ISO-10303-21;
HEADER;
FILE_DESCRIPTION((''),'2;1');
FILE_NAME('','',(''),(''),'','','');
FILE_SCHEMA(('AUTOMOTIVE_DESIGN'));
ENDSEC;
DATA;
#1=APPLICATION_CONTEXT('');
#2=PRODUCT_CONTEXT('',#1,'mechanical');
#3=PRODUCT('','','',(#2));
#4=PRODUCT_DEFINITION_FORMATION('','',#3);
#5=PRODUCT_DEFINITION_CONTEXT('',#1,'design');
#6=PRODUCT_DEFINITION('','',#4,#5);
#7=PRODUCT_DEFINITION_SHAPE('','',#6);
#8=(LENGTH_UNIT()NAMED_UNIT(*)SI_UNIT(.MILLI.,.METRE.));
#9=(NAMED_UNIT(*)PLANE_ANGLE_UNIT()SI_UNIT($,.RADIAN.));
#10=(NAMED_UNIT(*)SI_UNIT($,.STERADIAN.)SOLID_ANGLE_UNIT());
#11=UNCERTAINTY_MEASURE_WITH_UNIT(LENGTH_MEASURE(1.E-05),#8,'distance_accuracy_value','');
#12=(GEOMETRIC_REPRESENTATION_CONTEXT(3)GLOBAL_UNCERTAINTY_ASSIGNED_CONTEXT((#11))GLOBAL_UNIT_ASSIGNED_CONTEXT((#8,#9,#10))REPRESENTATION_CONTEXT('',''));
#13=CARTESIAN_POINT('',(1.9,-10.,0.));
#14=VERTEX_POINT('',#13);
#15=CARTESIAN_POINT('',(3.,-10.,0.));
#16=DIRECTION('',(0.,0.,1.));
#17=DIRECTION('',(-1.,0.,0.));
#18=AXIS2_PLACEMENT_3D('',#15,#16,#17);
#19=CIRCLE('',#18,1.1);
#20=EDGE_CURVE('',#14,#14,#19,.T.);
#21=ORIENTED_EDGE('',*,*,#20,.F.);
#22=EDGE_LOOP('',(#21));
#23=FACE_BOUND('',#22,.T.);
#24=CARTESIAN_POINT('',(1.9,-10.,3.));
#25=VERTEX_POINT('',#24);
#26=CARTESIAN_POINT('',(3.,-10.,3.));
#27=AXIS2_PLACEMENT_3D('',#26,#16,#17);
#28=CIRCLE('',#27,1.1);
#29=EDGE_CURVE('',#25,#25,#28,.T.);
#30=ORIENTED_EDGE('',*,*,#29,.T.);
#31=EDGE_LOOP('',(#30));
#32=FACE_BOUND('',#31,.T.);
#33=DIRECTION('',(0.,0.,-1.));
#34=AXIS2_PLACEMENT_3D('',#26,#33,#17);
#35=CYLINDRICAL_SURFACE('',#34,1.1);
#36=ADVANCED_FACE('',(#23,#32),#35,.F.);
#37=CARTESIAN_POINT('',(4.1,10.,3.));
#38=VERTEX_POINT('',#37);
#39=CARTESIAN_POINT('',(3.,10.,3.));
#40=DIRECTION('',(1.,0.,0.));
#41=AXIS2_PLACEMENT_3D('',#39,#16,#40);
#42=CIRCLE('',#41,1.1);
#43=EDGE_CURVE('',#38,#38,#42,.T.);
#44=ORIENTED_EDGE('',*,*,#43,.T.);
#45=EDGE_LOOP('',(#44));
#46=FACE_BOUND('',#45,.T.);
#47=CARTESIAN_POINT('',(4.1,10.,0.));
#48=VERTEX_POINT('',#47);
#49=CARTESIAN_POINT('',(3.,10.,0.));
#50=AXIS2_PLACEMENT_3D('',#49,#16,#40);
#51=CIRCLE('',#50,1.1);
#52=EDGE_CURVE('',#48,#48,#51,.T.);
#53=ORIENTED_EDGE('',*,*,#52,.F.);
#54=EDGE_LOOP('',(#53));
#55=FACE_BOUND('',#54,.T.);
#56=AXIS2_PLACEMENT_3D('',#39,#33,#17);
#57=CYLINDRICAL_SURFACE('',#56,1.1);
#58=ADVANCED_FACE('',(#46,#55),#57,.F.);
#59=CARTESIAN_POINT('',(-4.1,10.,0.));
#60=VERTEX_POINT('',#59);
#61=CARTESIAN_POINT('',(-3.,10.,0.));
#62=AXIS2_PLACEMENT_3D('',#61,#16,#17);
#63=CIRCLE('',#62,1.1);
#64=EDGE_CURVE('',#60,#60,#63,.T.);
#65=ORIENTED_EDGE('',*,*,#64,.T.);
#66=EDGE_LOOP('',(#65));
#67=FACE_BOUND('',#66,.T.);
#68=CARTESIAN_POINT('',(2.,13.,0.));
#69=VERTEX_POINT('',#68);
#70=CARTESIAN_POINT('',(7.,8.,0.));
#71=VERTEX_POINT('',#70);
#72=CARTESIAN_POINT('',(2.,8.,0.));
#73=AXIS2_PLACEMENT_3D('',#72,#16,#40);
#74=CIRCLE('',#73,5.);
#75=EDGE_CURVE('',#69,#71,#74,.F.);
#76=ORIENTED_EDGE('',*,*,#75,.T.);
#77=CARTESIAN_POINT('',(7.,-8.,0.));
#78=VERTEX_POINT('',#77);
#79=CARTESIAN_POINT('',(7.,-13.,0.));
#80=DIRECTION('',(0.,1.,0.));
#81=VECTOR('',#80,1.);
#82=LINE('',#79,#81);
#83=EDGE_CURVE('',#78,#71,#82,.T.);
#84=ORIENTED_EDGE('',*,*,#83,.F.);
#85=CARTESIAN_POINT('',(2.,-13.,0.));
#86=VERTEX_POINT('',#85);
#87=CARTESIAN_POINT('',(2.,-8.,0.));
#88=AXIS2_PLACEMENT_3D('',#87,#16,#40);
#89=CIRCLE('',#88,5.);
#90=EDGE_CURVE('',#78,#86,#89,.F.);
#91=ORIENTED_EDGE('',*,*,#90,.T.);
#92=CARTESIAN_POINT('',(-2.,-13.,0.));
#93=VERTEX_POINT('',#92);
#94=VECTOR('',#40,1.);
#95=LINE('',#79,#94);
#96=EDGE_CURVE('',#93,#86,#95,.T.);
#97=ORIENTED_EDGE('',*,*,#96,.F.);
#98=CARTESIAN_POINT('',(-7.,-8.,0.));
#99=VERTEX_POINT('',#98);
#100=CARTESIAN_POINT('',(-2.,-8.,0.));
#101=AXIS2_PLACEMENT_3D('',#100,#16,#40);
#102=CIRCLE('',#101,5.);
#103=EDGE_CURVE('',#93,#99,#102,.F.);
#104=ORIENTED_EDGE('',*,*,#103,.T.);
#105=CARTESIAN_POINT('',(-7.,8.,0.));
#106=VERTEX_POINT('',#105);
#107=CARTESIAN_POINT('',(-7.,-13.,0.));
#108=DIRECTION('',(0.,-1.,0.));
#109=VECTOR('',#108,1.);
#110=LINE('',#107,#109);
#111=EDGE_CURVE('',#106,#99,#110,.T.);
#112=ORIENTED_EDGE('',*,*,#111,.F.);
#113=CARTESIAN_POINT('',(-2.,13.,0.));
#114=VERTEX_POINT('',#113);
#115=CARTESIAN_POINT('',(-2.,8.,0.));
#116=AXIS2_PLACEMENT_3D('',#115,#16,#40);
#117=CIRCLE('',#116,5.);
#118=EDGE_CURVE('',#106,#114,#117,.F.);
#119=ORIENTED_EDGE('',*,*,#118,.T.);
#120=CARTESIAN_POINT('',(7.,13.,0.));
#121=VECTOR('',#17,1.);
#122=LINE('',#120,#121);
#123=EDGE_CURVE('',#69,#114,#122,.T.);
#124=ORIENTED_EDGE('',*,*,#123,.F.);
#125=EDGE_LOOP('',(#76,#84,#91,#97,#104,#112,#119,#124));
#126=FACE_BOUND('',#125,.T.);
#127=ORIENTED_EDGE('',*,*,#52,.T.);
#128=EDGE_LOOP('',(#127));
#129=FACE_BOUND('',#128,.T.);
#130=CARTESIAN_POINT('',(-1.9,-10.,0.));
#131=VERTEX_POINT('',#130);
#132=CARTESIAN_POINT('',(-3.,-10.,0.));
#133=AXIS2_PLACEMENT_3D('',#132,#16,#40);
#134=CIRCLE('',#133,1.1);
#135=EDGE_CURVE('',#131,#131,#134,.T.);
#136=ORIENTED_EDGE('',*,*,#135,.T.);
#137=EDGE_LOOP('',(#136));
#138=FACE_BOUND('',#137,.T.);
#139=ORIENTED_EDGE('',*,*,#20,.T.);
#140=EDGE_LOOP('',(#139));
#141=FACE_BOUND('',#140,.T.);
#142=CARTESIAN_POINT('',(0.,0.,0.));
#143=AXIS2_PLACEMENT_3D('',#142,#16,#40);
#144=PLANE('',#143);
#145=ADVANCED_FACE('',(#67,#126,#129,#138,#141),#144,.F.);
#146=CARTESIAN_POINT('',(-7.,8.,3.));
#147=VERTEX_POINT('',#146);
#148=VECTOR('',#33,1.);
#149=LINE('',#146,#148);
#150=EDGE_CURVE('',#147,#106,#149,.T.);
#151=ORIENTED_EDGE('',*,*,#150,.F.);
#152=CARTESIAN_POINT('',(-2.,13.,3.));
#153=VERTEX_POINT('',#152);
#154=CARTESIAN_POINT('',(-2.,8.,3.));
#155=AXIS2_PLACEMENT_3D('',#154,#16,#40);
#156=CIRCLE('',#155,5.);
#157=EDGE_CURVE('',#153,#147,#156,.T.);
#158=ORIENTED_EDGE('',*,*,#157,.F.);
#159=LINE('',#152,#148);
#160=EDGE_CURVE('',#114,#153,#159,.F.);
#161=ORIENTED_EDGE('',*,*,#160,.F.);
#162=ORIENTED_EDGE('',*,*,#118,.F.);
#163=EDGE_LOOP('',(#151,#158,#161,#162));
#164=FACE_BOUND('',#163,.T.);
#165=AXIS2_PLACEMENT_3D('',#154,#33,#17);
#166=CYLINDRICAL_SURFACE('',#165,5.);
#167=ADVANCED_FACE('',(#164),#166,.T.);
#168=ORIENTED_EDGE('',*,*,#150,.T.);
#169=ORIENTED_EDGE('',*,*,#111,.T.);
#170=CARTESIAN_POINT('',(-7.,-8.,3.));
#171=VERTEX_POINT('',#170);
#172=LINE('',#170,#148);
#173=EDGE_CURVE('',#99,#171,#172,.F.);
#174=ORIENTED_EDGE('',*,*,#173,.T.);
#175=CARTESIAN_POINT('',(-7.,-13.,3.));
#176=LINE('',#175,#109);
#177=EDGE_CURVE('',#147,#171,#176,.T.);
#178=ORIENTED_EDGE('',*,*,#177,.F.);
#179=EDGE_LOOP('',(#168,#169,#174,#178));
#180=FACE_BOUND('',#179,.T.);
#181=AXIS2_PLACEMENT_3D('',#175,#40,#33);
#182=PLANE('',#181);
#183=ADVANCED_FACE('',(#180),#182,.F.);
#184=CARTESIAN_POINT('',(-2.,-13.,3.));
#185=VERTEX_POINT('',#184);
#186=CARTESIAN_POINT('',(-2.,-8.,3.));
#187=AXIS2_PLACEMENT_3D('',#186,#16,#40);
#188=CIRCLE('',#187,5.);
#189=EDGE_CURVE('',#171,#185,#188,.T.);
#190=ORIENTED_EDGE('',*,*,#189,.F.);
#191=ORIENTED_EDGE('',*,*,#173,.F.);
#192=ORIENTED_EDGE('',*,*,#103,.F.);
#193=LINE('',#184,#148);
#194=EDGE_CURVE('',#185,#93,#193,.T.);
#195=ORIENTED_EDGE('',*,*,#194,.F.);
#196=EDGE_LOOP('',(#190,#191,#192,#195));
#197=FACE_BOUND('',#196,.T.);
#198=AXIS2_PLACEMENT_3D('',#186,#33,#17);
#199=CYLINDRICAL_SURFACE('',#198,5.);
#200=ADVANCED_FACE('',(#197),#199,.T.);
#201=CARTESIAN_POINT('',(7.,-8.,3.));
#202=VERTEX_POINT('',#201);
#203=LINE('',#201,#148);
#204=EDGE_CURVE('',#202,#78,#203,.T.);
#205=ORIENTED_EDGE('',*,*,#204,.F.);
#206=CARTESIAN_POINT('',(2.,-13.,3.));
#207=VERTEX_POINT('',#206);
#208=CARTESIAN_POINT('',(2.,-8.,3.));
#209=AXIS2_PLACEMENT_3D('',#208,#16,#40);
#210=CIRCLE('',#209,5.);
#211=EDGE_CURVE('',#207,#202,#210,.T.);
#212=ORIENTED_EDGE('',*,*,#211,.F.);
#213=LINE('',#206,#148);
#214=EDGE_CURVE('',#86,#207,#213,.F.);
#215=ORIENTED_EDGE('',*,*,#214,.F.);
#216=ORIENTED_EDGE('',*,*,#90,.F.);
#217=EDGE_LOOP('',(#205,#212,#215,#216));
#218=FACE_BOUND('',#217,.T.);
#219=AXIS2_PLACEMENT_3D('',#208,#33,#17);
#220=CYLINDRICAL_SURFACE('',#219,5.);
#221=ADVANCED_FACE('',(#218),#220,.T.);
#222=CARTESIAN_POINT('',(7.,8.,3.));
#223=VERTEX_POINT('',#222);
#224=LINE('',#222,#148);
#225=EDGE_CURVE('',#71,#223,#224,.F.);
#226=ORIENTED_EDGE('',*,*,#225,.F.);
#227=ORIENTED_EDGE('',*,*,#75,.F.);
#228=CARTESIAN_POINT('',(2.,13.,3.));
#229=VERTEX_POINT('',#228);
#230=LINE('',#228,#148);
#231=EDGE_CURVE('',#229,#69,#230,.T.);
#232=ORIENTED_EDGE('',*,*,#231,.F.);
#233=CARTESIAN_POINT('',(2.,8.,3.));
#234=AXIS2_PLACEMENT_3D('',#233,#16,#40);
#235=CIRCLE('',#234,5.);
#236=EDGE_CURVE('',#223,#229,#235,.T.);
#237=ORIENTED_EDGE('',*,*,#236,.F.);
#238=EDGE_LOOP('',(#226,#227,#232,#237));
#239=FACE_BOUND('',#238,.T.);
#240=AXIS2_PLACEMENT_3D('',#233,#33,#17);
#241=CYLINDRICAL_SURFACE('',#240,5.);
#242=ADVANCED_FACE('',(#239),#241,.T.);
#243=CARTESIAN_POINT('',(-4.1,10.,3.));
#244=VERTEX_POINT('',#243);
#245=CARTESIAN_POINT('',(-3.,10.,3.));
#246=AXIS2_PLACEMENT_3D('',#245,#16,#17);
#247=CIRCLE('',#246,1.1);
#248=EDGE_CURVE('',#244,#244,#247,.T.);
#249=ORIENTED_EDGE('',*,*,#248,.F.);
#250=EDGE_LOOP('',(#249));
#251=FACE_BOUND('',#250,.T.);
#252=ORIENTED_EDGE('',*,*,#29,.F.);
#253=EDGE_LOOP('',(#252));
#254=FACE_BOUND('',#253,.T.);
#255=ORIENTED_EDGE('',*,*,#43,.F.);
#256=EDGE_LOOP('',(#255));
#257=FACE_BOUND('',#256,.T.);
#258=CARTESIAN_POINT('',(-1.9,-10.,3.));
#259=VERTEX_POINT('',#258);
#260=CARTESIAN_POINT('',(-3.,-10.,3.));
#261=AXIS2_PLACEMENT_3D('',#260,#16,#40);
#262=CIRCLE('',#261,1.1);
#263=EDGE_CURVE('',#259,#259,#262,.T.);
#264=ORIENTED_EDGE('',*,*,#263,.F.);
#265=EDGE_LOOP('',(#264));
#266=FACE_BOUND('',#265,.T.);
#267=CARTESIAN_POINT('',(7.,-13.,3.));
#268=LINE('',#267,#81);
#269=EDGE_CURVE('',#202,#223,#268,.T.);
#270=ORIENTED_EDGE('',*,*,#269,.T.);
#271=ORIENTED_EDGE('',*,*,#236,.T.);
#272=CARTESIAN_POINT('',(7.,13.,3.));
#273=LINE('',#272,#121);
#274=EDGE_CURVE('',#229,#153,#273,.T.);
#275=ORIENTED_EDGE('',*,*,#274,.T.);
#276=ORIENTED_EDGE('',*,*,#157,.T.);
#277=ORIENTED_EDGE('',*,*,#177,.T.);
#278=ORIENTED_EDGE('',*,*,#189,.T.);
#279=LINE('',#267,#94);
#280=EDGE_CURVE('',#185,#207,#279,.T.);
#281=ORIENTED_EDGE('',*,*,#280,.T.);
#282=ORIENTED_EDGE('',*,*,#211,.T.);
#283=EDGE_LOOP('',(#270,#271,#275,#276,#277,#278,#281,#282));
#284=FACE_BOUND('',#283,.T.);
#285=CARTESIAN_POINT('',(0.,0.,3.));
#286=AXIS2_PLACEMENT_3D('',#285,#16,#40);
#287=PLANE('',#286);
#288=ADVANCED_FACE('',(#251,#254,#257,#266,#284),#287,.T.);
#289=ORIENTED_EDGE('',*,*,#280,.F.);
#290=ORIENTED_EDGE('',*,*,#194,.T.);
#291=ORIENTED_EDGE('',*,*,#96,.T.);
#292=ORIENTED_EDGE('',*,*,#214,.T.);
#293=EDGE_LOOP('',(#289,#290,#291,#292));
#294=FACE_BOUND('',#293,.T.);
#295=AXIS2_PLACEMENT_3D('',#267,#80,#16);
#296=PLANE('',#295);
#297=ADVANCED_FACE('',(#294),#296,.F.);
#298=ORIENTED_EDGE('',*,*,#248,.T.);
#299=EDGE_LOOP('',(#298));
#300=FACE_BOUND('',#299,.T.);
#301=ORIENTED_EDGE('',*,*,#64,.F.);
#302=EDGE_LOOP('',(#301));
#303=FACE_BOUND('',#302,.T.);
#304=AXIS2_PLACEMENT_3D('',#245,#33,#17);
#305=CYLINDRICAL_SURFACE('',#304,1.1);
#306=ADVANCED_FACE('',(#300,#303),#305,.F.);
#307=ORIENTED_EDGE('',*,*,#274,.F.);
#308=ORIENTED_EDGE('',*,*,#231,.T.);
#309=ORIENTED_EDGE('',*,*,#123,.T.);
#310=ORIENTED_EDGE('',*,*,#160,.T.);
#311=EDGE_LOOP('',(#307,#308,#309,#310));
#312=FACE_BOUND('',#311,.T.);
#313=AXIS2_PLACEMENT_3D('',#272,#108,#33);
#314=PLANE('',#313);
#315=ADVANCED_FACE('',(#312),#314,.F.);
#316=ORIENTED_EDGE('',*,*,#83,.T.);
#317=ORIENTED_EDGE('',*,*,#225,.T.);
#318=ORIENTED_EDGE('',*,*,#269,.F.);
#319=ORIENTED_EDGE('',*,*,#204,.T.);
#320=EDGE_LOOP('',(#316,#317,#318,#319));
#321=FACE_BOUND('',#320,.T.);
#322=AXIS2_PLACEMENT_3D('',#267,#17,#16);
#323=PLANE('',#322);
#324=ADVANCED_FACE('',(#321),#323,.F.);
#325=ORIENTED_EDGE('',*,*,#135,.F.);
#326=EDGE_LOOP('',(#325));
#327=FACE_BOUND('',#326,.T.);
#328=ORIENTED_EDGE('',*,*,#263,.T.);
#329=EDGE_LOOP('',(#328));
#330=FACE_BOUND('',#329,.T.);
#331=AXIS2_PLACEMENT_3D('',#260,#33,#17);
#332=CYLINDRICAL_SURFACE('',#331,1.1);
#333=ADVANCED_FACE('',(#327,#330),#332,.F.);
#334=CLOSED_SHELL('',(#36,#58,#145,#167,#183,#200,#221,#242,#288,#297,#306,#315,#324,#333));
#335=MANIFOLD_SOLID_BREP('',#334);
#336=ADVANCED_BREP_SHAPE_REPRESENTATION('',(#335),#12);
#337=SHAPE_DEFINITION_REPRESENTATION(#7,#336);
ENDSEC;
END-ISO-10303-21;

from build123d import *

# Parameters (mm, degrees)
SKETCH1_W           = 14
SKETCH1_H           = 26
SKETCH1_R           = 1.1
BOSS_EXTRUDE1_DEPTH = 3
FILLET1_R           = 5


with BuildPart() as part:
    # Sketch1 → Boss-Extrude1 (new body)
    with BuildSketch(Plane.XY):
        Rectangle(SKETCH1_W, SKETCH1_H)
        with Locations((3, 10)):
            Circle(SKETCH1_R, mode=Mode.SUBTRACT)
        with Locations((-3, 10)):
            Circle(SKETCH1_R, mode=Mode.SUBTRACT)
        with Locations((3, -10)):
            Circle(SKETCH1_R, mode=Mode.SUBTRACT)
        with Locations((-3, -10)):
            Circle(SKETCH1_R, mode=Mode.SUBTRACT)
    extrude(amount=BOSS_EXTRUDE1_DEPTH)

    # Fillet1
    fillet1_edges = [part.edges().sort_by_distance(p)[0] for p in [
        (-7, 13, 1.5),
        (7, 13, 1.5),
        (7, -13, 1.5),
        (-7, -13, 1.5),
    ]]
    fillet(fillet1_edges, radius=FILLET1_R)


solid = part.part
